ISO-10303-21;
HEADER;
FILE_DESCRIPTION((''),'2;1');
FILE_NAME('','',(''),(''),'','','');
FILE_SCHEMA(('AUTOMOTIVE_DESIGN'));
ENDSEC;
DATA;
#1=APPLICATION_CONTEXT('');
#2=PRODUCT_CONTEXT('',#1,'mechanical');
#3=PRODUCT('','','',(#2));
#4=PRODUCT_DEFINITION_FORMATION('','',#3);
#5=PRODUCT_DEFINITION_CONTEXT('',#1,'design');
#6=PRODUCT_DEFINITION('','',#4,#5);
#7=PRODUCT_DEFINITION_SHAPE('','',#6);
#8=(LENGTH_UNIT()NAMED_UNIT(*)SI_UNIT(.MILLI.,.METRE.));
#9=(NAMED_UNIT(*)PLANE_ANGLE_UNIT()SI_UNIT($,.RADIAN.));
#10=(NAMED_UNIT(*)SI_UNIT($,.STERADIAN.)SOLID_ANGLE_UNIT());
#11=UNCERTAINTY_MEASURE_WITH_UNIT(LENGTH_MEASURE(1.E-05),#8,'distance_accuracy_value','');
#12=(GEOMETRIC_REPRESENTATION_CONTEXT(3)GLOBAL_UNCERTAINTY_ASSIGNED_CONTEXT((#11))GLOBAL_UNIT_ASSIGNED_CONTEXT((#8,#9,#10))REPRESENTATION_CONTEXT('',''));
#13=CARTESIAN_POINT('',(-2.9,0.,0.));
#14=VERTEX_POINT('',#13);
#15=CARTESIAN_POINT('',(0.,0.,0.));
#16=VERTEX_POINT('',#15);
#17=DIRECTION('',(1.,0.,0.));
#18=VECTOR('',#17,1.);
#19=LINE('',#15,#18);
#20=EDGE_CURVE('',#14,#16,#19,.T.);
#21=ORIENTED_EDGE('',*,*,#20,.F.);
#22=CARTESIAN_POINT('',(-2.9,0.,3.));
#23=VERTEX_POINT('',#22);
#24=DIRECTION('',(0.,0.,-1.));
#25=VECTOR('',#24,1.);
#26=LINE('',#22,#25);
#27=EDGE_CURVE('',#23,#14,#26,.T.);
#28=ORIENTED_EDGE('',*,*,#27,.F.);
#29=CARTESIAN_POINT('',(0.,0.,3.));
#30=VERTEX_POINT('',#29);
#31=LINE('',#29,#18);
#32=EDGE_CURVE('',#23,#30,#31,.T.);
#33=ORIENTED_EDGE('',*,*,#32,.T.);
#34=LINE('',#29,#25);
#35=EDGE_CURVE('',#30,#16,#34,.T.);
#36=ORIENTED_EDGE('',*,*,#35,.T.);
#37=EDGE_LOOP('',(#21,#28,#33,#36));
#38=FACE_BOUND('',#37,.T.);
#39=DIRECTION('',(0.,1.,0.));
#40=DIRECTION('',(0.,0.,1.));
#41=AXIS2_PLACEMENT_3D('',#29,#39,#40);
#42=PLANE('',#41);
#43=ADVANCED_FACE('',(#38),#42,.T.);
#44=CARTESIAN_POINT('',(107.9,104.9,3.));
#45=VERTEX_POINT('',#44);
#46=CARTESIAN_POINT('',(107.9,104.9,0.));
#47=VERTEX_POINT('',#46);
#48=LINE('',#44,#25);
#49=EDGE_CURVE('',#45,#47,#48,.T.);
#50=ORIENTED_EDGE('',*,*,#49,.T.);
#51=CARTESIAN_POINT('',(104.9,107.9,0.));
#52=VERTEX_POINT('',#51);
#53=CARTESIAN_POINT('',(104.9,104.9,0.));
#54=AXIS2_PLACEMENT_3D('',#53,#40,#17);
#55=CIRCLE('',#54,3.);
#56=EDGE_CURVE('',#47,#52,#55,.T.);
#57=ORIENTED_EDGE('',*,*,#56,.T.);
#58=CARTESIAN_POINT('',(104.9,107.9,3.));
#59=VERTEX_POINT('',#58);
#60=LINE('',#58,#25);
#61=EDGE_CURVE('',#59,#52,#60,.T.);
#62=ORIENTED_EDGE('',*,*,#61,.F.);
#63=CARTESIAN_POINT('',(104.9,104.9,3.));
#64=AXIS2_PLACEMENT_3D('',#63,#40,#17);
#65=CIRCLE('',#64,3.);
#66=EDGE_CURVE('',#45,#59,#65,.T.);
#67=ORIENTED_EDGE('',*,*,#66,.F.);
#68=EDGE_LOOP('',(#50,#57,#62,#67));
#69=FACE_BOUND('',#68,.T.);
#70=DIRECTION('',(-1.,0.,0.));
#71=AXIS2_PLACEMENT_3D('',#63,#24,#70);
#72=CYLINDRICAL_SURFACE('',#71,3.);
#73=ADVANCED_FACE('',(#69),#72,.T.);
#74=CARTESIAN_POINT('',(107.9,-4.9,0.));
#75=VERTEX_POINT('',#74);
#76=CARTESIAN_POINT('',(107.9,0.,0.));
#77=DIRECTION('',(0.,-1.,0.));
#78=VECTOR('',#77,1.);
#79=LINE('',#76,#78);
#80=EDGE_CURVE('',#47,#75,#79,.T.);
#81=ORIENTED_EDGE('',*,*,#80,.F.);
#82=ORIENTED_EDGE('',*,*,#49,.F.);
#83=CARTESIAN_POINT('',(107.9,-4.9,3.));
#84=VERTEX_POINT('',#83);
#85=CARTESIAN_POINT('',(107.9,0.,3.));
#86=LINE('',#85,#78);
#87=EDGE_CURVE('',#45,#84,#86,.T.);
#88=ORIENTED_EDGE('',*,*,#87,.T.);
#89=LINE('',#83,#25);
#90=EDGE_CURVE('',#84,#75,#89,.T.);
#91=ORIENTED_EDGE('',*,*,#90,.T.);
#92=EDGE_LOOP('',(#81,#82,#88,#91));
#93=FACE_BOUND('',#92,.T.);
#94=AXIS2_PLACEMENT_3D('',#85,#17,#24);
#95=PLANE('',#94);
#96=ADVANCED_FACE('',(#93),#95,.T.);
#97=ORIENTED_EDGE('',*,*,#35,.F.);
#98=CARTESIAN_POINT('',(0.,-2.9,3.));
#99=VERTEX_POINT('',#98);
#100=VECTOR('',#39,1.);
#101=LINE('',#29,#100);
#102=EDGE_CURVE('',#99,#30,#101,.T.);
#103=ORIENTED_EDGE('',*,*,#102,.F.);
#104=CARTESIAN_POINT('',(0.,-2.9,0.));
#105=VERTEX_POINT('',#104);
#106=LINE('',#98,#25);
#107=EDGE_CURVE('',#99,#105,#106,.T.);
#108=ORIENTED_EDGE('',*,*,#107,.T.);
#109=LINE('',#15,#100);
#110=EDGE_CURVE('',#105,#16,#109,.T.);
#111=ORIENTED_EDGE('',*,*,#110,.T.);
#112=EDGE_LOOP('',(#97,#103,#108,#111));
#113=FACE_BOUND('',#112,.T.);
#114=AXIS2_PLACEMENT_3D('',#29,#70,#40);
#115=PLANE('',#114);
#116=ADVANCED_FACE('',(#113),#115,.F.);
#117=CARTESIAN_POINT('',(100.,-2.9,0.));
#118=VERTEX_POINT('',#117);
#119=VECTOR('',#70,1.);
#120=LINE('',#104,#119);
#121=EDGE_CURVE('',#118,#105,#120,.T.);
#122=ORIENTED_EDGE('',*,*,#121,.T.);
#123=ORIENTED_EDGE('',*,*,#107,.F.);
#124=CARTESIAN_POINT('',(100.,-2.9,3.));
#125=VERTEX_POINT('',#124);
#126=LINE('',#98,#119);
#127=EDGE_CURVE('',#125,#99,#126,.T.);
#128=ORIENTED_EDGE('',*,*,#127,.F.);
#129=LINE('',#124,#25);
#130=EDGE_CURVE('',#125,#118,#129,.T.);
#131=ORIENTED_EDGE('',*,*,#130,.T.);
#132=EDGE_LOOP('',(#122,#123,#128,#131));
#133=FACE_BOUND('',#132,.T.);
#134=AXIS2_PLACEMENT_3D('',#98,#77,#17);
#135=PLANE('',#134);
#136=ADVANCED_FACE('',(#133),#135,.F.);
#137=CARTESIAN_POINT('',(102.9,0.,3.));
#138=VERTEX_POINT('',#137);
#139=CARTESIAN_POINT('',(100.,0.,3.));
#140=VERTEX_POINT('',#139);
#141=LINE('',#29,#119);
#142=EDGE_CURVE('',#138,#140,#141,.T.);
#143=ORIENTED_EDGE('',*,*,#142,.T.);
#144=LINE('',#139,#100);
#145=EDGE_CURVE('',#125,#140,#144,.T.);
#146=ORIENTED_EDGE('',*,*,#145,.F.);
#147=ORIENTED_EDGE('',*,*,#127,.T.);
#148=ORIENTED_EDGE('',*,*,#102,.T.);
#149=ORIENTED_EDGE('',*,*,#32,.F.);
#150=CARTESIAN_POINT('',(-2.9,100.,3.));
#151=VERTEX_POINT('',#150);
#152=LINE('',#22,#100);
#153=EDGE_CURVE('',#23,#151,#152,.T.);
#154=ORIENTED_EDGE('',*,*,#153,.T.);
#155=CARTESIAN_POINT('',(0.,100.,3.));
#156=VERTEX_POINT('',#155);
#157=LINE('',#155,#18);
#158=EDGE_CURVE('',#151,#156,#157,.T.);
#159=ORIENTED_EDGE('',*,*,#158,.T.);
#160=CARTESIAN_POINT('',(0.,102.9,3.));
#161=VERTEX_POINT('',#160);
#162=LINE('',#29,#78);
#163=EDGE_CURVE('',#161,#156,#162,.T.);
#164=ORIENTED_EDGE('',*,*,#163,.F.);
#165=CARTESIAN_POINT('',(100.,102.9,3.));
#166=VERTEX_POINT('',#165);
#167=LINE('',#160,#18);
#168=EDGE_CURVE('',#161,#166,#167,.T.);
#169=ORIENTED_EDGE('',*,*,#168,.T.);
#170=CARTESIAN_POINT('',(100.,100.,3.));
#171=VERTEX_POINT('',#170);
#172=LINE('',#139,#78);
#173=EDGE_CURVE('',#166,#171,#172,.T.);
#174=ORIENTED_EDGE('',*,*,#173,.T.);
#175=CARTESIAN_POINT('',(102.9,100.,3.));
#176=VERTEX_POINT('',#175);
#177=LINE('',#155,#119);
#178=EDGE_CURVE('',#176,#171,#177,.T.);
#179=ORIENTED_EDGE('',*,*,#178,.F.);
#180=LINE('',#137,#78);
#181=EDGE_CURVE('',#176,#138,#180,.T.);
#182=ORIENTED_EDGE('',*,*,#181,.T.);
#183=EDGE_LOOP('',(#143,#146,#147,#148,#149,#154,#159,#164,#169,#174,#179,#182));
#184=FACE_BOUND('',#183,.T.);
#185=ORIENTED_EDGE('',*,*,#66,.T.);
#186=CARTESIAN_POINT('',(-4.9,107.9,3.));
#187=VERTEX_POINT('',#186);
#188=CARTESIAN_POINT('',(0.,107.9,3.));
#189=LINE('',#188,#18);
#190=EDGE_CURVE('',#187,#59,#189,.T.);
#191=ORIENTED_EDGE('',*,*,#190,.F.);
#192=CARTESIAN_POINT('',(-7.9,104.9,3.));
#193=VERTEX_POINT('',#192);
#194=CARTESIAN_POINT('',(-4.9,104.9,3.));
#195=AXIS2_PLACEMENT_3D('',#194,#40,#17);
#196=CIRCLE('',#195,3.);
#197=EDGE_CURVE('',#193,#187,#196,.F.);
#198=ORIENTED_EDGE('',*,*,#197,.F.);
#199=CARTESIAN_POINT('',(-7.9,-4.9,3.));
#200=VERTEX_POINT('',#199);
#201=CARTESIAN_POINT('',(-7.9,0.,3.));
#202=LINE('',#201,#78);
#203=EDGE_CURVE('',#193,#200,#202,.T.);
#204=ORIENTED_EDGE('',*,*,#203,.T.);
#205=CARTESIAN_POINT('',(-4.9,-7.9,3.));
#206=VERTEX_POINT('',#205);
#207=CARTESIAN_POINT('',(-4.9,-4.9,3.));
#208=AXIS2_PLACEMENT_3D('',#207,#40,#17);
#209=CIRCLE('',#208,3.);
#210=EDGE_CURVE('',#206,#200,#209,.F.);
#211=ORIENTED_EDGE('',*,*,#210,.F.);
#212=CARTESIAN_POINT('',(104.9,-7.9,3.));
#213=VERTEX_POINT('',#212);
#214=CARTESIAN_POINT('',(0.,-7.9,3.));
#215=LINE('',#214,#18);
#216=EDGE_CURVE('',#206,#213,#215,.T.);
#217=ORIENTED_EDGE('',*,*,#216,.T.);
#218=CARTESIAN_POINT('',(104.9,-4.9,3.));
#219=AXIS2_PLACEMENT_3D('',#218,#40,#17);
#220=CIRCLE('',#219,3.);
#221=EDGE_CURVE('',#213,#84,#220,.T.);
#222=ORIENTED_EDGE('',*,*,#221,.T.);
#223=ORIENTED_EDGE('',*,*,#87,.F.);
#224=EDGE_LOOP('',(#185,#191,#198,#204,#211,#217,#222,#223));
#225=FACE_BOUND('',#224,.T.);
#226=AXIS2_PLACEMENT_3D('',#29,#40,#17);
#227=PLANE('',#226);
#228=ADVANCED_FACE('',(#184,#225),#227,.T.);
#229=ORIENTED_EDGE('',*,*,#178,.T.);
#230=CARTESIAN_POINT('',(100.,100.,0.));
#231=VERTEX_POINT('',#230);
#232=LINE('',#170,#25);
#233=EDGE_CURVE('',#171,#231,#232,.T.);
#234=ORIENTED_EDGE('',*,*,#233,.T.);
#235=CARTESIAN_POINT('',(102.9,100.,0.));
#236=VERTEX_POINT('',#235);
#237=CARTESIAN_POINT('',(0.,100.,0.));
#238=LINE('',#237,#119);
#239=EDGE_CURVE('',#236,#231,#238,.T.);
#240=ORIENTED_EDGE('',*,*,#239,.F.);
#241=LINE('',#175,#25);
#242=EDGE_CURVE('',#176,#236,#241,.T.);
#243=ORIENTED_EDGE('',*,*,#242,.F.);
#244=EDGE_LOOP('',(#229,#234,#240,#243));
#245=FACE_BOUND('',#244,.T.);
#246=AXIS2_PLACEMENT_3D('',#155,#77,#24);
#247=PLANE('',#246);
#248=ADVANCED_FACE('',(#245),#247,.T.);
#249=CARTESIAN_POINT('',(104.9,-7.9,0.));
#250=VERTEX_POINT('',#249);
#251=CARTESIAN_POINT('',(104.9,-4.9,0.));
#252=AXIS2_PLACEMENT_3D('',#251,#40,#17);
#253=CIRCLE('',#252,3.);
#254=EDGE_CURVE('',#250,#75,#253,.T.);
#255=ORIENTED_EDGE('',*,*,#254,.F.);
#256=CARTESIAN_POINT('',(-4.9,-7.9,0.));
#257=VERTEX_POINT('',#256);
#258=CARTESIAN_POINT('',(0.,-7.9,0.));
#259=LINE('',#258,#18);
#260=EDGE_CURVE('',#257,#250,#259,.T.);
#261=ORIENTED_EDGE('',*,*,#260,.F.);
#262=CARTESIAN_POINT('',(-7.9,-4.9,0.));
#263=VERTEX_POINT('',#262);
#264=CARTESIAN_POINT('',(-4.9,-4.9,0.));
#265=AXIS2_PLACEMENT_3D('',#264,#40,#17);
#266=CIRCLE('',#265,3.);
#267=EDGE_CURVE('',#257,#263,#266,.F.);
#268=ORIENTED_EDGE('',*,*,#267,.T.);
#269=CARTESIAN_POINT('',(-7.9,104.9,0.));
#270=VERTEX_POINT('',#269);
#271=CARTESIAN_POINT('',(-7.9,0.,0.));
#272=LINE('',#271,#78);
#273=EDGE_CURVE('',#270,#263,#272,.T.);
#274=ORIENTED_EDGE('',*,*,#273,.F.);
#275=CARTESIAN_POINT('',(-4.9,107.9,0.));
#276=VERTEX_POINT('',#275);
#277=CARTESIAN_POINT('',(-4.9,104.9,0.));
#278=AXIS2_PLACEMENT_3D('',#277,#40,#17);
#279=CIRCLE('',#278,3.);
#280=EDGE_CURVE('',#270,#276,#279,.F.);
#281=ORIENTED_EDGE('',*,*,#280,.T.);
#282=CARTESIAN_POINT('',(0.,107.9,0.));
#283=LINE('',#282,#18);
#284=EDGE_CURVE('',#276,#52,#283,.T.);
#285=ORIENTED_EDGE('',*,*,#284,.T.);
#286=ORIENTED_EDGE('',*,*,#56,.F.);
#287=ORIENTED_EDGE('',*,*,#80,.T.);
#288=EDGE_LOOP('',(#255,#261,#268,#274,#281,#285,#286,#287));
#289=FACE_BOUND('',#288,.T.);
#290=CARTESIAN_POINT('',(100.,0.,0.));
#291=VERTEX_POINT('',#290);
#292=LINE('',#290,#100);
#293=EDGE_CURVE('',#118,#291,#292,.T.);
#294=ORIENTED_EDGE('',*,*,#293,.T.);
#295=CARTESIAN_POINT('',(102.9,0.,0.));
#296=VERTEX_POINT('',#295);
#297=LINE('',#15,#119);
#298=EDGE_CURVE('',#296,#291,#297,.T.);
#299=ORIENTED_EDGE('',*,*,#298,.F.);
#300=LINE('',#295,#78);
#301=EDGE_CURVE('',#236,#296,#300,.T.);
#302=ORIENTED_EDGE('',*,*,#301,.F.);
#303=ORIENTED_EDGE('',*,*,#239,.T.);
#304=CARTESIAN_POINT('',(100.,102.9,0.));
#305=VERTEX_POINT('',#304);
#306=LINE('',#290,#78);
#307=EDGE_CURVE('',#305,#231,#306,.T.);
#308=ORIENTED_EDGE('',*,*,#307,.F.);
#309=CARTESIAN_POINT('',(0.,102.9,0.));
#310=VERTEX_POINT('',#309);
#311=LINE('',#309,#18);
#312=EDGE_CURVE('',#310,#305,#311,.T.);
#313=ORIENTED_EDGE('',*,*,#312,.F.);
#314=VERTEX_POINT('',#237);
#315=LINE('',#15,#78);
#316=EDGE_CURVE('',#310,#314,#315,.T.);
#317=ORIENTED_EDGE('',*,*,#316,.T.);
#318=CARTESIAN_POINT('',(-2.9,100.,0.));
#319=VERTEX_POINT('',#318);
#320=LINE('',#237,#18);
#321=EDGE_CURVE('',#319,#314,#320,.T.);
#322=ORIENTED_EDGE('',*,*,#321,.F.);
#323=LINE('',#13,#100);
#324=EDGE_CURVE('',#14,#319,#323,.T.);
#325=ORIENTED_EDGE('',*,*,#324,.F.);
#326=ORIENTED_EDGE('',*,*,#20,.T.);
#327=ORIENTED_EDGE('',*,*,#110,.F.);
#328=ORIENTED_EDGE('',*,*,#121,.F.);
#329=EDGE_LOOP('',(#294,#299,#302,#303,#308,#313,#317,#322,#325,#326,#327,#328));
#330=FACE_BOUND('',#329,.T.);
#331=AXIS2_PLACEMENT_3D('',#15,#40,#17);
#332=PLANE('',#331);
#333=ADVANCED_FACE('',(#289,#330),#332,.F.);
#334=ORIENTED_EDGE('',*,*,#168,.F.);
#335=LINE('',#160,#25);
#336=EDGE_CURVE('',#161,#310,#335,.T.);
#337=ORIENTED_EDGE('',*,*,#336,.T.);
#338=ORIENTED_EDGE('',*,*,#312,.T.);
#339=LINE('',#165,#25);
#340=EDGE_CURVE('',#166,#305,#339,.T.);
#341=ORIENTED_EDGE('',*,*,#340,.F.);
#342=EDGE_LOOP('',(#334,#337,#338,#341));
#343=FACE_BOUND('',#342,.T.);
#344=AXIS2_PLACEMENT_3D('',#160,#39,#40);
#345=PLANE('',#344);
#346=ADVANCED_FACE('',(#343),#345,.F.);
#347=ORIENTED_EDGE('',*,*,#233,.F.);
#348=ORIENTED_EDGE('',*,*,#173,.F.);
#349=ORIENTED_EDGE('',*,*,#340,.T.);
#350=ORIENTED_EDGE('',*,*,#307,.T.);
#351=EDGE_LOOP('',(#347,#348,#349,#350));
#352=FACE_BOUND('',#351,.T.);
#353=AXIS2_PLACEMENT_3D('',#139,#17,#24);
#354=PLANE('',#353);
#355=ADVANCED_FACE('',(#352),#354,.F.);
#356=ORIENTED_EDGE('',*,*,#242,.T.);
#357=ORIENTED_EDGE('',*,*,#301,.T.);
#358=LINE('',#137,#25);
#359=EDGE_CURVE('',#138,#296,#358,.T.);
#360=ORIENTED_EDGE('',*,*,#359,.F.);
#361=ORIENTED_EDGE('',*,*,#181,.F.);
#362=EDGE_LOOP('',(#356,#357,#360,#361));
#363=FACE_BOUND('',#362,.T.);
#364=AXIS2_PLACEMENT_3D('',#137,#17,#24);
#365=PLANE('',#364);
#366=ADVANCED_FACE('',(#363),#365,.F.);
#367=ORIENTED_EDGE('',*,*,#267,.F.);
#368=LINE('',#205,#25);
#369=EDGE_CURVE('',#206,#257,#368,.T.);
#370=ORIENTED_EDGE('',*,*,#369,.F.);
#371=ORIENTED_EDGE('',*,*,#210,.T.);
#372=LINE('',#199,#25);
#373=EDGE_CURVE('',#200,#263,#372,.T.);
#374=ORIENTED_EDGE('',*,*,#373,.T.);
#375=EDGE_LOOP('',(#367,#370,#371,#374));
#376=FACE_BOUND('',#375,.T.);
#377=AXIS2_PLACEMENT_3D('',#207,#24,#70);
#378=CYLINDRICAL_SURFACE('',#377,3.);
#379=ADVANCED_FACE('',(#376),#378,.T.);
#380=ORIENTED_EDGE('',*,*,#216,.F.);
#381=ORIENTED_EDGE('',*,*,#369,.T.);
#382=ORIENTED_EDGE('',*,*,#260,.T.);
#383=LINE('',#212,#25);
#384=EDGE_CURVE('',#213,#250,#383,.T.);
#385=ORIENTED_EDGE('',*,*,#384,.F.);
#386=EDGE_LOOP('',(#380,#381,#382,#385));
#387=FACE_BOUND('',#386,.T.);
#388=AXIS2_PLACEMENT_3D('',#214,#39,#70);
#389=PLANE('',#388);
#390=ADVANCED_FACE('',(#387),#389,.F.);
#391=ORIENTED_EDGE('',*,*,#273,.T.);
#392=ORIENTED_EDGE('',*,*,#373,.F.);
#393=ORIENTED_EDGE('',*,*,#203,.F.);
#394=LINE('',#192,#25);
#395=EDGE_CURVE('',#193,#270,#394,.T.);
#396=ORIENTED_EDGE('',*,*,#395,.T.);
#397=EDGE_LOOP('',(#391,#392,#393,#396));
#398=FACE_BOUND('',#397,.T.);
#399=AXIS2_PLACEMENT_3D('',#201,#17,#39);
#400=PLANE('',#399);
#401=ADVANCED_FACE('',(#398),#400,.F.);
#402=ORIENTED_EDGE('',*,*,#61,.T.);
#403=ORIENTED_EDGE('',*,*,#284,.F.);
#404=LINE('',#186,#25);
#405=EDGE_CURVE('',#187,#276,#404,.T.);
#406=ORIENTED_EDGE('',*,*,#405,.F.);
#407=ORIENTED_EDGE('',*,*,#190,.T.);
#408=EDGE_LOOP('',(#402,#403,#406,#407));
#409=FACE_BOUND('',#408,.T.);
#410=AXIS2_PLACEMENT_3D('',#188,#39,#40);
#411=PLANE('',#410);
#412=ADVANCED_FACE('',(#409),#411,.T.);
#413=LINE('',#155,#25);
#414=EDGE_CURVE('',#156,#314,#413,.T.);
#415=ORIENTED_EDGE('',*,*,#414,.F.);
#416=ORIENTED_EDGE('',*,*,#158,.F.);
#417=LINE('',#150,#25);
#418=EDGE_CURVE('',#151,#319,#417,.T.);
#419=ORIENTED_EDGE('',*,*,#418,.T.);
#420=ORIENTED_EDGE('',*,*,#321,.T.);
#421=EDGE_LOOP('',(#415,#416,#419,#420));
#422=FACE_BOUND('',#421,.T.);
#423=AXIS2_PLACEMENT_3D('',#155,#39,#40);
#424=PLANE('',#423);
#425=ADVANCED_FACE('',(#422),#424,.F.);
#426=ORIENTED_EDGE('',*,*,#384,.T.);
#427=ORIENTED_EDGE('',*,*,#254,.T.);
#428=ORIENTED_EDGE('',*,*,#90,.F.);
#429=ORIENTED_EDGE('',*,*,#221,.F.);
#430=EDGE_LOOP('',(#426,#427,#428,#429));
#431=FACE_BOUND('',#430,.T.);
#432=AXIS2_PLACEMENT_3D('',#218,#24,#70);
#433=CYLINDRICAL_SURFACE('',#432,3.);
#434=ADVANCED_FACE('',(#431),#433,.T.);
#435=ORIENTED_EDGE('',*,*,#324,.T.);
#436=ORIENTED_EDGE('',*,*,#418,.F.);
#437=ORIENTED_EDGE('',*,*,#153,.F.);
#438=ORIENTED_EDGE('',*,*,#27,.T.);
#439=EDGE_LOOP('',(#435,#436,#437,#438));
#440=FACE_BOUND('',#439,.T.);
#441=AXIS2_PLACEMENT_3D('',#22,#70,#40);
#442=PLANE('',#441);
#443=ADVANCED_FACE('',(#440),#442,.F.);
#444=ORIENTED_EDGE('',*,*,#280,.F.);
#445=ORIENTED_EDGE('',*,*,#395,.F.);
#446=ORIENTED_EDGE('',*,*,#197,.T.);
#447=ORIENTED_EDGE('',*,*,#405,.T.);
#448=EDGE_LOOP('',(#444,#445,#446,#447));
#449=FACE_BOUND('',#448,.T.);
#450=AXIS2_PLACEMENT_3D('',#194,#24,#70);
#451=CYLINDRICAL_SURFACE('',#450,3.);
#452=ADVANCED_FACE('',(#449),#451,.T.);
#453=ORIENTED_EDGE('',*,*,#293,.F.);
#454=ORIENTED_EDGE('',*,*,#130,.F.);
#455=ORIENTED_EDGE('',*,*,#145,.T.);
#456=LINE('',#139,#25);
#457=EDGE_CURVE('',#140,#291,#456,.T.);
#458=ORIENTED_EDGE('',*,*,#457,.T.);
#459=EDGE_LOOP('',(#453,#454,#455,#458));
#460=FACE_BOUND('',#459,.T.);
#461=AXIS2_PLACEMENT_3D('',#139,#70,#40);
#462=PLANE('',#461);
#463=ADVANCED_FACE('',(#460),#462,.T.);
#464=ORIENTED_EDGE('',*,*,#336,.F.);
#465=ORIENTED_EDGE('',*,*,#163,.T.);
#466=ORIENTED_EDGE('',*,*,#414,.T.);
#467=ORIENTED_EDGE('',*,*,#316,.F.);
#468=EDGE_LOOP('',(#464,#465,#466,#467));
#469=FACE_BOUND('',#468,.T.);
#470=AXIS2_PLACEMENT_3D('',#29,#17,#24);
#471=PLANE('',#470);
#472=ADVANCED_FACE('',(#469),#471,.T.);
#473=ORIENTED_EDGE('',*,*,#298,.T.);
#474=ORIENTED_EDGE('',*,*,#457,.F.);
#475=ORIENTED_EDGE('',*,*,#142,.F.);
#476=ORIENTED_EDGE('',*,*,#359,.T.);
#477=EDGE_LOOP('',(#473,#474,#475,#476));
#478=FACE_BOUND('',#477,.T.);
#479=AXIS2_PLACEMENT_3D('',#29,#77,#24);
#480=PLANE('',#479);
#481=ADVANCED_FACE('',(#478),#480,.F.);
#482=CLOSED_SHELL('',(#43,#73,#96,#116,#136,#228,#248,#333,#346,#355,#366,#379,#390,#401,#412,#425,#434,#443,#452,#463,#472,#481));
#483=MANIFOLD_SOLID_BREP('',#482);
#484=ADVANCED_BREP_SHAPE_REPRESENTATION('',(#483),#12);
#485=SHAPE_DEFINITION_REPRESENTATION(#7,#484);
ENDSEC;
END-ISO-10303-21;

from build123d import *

# Parameters (mm, degrees)
EXTRUDE_1_DEPTH = 3


with BuildPart() as part:
    # 草图1 → 凸台-拉伸1 (new body)
    with BuildSketch(Plane.XY):
        with BuildLine():
            Line((-4.9, 107.9), (104.9, 107.9))
            ThreePointArc((104.9, 107.9), (107.021320344, 107.021320344), (107.9, 104.9))
            Line((107.9, 104.9), (107.9, -4.9))
            ThreePointArc((107.9, -4.9), (107.021320344, -7.021320344), (104.9, -7.9))
            Line((104.9, -7.9), (-4.9, -7.9))
            ThreePointArc((-4.9, -7.9), (-7.021320344, -7.021320344), (-7.9, -4.9))
            Line((-7.9, -4.9), (-7.9, 104.9))
            ThreePointArc((-7.9, 104.9), (-7.021320344, 107.021320344), (-4.9, 107.9))
        make_face()
        Polygon((100, -2.9), (0, -2.9), (0, 0), (-2.9, 0), (-2.9, 100), (0, 100), (0, 102.9), (100, 102.9), (100, 100), (102.9, 100), (102.9, 0), (100, 0), align=None, mode=Mode.SUBTRACT)
    extrude(amount=EXTRUDE_1_DEPTH)


solid = part.part
